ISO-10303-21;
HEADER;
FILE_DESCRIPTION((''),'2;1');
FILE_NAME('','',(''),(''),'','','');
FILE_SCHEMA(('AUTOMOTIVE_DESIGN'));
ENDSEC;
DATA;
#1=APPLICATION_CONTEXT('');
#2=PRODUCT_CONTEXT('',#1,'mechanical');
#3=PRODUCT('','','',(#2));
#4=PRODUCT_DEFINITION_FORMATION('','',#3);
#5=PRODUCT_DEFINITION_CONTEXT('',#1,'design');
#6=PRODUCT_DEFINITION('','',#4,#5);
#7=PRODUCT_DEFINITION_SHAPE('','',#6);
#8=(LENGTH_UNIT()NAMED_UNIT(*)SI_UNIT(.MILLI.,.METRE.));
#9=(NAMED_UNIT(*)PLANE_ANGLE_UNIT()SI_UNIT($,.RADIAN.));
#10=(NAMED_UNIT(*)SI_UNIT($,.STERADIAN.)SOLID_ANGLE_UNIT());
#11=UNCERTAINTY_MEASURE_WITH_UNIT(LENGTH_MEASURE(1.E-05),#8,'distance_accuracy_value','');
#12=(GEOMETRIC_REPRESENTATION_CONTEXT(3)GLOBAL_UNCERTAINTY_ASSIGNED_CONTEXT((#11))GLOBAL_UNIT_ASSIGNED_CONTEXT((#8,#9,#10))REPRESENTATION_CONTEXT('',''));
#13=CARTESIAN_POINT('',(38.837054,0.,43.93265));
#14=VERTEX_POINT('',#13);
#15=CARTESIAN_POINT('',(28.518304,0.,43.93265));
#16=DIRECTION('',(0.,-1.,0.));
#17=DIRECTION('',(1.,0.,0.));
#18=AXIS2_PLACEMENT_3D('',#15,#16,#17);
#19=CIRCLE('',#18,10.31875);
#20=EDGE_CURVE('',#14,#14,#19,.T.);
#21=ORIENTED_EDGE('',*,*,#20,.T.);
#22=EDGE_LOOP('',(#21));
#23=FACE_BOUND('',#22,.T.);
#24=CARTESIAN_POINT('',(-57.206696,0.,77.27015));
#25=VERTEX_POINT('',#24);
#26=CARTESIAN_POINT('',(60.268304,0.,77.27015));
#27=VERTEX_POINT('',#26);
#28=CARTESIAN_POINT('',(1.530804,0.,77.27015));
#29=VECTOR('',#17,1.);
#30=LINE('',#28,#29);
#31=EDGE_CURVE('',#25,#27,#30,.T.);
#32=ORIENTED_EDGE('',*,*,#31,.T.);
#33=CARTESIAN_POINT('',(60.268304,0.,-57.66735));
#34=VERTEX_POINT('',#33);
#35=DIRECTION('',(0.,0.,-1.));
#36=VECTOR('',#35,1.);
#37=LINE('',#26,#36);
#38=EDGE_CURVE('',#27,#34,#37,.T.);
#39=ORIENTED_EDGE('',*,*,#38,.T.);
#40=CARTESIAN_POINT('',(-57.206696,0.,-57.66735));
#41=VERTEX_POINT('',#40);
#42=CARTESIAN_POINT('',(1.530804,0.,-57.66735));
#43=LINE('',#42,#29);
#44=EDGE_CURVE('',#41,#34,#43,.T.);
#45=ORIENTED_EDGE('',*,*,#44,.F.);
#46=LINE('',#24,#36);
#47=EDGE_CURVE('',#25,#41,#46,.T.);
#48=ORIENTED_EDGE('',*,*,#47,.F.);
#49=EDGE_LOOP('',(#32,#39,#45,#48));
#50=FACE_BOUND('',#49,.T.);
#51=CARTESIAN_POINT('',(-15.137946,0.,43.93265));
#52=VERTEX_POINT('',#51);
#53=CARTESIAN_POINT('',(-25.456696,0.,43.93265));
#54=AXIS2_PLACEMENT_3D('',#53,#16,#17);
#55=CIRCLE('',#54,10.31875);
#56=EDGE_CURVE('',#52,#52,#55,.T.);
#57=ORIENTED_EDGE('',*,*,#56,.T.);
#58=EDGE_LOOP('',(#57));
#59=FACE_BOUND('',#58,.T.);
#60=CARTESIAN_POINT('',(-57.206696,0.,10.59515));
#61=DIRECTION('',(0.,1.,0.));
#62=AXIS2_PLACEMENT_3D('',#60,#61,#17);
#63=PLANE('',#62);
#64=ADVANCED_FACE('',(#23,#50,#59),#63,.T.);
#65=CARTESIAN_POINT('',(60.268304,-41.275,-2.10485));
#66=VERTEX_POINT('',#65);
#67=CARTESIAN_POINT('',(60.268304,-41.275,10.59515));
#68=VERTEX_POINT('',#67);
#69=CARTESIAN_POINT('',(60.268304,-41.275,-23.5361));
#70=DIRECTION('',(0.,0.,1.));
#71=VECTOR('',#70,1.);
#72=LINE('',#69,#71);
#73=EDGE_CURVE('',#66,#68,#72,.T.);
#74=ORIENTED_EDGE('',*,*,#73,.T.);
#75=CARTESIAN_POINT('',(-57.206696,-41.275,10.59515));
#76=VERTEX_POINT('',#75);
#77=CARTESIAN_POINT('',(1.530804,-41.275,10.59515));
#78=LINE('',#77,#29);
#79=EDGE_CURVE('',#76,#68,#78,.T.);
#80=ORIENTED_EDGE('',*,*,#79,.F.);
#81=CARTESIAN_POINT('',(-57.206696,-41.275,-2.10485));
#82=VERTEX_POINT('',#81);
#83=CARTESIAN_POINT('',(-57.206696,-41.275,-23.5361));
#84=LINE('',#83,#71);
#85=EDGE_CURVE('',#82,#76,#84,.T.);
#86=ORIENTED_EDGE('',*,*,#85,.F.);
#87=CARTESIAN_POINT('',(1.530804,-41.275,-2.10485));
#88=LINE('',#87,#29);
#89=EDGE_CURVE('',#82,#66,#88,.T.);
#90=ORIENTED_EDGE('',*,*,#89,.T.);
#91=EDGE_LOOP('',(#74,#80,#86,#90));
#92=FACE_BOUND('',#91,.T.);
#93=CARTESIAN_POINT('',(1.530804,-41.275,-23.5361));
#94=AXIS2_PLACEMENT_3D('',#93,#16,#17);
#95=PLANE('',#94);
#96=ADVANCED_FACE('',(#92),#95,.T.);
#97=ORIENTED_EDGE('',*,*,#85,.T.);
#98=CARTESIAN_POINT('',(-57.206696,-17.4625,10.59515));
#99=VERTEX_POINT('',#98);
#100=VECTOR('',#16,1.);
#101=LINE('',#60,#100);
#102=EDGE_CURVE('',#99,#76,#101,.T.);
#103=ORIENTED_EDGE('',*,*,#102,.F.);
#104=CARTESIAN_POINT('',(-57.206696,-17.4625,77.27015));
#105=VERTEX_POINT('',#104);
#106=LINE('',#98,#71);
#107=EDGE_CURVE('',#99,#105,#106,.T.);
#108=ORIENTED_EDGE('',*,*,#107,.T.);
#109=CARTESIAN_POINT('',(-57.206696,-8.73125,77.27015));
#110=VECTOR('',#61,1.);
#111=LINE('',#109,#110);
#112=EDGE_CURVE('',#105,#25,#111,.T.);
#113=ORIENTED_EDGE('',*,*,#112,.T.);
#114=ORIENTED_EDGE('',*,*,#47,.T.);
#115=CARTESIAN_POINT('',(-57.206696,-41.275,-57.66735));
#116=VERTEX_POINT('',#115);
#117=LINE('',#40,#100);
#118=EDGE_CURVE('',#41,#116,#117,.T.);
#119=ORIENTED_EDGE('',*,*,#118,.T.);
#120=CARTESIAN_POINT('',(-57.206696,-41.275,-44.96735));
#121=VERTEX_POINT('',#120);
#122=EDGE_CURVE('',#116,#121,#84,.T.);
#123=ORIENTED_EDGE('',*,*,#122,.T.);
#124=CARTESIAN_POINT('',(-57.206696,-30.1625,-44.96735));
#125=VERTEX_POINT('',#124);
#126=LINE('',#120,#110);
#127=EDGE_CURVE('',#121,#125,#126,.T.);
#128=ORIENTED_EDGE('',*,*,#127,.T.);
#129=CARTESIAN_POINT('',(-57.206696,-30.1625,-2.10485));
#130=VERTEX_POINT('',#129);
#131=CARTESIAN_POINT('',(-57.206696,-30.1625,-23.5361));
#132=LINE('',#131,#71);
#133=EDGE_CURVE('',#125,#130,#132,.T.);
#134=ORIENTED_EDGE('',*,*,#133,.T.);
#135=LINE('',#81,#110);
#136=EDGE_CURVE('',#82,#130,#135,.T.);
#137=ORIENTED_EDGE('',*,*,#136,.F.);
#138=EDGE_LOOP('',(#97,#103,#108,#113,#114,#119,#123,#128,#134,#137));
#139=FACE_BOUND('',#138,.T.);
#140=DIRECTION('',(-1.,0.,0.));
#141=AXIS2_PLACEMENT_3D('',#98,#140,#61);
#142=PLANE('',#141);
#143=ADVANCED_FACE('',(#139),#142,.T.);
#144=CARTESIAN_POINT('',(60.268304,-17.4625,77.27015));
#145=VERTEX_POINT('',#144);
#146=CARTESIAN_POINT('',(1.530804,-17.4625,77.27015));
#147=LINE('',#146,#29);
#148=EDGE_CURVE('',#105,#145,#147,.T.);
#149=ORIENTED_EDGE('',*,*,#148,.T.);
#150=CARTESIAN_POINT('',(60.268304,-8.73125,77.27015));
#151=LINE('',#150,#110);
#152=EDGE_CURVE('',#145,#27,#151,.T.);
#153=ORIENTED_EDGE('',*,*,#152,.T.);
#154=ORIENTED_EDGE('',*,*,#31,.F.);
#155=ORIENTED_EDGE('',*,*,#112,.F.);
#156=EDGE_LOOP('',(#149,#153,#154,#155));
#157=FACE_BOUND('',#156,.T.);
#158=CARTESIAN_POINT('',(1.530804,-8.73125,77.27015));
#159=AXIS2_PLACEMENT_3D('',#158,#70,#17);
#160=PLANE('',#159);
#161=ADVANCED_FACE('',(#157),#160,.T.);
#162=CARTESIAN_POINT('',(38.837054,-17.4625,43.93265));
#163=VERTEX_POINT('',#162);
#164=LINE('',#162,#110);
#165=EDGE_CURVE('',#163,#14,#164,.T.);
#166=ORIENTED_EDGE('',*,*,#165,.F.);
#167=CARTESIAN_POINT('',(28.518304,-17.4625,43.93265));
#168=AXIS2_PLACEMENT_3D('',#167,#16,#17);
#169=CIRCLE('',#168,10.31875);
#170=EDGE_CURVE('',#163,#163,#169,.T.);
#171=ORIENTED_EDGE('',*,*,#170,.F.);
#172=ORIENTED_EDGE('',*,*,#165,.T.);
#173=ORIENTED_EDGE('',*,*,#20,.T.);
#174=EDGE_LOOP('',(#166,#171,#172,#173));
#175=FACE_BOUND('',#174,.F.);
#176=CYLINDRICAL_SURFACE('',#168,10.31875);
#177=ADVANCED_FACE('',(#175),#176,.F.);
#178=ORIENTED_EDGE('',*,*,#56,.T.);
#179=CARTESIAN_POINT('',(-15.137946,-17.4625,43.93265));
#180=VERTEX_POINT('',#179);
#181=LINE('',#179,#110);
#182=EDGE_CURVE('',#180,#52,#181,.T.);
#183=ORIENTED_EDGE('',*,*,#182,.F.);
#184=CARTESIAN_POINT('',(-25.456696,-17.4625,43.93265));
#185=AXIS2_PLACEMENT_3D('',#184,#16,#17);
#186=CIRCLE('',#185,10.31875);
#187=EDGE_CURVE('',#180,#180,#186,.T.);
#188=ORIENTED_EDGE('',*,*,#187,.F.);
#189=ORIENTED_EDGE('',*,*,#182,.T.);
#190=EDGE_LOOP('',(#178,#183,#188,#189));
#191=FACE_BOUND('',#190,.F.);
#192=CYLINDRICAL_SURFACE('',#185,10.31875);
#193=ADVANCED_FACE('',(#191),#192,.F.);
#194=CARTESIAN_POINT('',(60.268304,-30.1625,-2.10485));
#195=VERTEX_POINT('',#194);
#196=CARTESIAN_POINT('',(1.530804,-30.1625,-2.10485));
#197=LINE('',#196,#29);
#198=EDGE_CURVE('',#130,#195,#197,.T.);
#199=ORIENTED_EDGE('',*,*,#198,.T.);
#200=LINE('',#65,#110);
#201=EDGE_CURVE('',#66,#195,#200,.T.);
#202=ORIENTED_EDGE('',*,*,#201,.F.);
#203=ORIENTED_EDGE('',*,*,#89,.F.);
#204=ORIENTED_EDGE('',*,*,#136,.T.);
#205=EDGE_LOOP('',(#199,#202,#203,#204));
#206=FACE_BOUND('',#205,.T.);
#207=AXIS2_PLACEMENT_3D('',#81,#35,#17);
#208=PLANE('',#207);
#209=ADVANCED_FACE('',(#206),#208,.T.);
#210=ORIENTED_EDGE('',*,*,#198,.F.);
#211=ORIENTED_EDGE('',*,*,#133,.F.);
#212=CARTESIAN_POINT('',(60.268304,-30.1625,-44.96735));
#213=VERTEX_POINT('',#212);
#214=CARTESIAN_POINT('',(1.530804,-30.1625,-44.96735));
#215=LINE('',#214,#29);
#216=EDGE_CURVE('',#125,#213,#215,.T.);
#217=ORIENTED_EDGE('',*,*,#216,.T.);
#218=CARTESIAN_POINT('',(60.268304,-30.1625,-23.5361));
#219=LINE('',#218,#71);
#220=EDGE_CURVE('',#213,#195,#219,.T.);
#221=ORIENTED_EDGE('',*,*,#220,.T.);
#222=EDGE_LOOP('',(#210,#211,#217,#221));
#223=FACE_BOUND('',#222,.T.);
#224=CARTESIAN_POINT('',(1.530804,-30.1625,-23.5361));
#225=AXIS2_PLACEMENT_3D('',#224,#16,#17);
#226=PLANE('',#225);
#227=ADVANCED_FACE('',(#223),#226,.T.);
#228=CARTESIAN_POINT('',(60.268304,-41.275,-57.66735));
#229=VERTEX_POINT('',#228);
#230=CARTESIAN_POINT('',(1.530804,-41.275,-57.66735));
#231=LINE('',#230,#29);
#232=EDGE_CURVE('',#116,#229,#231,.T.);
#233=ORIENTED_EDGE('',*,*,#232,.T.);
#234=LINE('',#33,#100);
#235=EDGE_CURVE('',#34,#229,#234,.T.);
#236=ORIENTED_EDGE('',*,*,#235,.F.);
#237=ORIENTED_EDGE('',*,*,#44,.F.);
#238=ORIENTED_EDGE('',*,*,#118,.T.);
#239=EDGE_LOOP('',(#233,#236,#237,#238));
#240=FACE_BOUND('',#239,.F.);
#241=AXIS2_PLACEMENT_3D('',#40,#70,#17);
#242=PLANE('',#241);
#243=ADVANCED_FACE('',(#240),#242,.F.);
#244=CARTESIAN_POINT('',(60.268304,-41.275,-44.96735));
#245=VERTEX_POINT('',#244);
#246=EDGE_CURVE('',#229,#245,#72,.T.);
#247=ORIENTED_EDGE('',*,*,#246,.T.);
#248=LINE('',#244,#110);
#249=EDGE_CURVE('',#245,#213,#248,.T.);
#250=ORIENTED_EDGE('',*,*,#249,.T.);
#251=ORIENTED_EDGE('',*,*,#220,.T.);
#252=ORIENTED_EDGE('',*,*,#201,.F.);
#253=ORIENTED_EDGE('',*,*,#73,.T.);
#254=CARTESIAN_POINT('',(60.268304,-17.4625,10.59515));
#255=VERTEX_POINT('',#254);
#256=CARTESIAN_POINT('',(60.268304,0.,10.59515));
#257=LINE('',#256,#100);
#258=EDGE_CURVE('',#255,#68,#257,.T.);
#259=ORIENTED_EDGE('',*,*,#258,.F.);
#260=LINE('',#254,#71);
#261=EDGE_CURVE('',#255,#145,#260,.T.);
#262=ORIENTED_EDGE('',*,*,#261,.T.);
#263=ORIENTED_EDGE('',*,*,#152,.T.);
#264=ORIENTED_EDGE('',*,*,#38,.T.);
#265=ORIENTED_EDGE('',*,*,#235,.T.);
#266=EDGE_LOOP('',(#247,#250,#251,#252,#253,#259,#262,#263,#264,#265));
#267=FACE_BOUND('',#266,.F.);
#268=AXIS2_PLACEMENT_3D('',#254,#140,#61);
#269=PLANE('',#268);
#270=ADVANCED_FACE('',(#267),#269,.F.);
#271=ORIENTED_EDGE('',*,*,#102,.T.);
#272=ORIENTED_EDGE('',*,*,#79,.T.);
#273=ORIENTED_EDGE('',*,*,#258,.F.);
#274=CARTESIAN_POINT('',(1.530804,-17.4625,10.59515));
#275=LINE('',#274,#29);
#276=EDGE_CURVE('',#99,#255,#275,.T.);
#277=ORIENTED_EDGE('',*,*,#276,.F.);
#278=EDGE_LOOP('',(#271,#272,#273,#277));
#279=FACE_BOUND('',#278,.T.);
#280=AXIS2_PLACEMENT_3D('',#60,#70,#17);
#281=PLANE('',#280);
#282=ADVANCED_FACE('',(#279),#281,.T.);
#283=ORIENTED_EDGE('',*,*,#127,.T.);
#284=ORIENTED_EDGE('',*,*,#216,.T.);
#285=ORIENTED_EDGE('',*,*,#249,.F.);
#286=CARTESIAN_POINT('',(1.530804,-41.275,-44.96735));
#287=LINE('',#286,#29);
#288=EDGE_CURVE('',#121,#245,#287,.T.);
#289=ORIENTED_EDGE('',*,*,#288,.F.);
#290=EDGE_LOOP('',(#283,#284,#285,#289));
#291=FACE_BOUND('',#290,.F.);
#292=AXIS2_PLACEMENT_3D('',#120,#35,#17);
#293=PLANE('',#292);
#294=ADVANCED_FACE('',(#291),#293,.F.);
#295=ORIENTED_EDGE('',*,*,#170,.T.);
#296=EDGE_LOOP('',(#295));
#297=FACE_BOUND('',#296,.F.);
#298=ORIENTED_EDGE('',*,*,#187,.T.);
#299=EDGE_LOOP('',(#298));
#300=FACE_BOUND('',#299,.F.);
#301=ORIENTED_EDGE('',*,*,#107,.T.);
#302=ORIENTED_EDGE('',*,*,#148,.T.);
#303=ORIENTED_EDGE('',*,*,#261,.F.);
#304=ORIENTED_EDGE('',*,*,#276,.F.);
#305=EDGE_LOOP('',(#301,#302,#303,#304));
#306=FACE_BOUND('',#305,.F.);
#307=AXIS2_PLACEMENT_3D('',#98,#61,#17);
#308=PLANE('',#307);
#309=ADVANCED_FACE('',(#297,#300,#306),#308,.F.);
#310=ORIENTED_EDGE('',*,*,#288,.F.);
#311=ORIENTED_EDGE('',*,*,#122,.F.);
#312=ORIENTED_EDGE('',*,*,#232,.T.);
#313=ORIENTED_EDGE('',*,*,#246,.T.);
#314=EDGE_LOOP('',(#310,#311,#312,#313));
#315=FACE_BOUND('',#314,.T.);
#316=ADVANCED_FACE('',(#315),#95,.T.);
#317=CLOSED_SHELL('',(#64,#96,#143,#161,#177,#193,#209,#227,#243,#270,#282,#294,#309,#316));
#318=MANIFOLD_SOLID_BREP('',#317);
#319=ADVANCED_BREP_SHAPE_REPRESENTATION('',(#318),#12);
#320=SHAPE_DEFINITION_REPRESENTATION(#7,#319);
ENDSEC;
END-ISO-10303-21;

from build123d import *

# Parameters (mm, degrees)
F0_W     = 117.475
F0_H     = 68.2625
F1_DEPTH = 41.275
F2_W     = 117.475
F2_H     = 42.8625
F3_DEPTH = 11.1125
F4_W     = 117.475
F4_H     = 17.4625
F5_DEPTH = 66.675
F6_R     = 10.31875
F7_DEPTH = 101.6


with BuildPart() as f1:
    # F0 (on Front) → F1 (new body)
    with BuildSketch(Plane.XZ):
        with Locations((1.530804, -23.5361)):
            Rectangle(F0_W, F0_H)
    extrude(amount=F1_DEPTH)

    # F2 (on face) → F3 (cut)
    with BuildSketch(Plane.XZ.offset(41.275)):
        with Locations((1.530804, -23.5361)):
            Rectangle(F2_W, F2_H)
    extrude(amount=-F3_DEPTH, mode=Mode.SUBTRACT)

    # F4 (on face) → F5 (join)
    with BuildSketch(Plane.XY.offset(10.59515)):
        with Locations((1.530804, -8.73125)):
            Rectangle(F4_W, F4_H)
    extrude(amount=F5_DEPTH)

    # F6 (on face) → F7 (cut)
    with BuildSketch(Plane.XZ.offset(17.4625)):
        with Locations((28.518304, 43.93265)):
            Circle(F6_R)
        with Locations((-25.456696, 43.93265)):
            Circle(F6_R)
    extrude(amount=-F7_DEPTH, mode=Mode.SUBTRACT)


solid = f1.part
